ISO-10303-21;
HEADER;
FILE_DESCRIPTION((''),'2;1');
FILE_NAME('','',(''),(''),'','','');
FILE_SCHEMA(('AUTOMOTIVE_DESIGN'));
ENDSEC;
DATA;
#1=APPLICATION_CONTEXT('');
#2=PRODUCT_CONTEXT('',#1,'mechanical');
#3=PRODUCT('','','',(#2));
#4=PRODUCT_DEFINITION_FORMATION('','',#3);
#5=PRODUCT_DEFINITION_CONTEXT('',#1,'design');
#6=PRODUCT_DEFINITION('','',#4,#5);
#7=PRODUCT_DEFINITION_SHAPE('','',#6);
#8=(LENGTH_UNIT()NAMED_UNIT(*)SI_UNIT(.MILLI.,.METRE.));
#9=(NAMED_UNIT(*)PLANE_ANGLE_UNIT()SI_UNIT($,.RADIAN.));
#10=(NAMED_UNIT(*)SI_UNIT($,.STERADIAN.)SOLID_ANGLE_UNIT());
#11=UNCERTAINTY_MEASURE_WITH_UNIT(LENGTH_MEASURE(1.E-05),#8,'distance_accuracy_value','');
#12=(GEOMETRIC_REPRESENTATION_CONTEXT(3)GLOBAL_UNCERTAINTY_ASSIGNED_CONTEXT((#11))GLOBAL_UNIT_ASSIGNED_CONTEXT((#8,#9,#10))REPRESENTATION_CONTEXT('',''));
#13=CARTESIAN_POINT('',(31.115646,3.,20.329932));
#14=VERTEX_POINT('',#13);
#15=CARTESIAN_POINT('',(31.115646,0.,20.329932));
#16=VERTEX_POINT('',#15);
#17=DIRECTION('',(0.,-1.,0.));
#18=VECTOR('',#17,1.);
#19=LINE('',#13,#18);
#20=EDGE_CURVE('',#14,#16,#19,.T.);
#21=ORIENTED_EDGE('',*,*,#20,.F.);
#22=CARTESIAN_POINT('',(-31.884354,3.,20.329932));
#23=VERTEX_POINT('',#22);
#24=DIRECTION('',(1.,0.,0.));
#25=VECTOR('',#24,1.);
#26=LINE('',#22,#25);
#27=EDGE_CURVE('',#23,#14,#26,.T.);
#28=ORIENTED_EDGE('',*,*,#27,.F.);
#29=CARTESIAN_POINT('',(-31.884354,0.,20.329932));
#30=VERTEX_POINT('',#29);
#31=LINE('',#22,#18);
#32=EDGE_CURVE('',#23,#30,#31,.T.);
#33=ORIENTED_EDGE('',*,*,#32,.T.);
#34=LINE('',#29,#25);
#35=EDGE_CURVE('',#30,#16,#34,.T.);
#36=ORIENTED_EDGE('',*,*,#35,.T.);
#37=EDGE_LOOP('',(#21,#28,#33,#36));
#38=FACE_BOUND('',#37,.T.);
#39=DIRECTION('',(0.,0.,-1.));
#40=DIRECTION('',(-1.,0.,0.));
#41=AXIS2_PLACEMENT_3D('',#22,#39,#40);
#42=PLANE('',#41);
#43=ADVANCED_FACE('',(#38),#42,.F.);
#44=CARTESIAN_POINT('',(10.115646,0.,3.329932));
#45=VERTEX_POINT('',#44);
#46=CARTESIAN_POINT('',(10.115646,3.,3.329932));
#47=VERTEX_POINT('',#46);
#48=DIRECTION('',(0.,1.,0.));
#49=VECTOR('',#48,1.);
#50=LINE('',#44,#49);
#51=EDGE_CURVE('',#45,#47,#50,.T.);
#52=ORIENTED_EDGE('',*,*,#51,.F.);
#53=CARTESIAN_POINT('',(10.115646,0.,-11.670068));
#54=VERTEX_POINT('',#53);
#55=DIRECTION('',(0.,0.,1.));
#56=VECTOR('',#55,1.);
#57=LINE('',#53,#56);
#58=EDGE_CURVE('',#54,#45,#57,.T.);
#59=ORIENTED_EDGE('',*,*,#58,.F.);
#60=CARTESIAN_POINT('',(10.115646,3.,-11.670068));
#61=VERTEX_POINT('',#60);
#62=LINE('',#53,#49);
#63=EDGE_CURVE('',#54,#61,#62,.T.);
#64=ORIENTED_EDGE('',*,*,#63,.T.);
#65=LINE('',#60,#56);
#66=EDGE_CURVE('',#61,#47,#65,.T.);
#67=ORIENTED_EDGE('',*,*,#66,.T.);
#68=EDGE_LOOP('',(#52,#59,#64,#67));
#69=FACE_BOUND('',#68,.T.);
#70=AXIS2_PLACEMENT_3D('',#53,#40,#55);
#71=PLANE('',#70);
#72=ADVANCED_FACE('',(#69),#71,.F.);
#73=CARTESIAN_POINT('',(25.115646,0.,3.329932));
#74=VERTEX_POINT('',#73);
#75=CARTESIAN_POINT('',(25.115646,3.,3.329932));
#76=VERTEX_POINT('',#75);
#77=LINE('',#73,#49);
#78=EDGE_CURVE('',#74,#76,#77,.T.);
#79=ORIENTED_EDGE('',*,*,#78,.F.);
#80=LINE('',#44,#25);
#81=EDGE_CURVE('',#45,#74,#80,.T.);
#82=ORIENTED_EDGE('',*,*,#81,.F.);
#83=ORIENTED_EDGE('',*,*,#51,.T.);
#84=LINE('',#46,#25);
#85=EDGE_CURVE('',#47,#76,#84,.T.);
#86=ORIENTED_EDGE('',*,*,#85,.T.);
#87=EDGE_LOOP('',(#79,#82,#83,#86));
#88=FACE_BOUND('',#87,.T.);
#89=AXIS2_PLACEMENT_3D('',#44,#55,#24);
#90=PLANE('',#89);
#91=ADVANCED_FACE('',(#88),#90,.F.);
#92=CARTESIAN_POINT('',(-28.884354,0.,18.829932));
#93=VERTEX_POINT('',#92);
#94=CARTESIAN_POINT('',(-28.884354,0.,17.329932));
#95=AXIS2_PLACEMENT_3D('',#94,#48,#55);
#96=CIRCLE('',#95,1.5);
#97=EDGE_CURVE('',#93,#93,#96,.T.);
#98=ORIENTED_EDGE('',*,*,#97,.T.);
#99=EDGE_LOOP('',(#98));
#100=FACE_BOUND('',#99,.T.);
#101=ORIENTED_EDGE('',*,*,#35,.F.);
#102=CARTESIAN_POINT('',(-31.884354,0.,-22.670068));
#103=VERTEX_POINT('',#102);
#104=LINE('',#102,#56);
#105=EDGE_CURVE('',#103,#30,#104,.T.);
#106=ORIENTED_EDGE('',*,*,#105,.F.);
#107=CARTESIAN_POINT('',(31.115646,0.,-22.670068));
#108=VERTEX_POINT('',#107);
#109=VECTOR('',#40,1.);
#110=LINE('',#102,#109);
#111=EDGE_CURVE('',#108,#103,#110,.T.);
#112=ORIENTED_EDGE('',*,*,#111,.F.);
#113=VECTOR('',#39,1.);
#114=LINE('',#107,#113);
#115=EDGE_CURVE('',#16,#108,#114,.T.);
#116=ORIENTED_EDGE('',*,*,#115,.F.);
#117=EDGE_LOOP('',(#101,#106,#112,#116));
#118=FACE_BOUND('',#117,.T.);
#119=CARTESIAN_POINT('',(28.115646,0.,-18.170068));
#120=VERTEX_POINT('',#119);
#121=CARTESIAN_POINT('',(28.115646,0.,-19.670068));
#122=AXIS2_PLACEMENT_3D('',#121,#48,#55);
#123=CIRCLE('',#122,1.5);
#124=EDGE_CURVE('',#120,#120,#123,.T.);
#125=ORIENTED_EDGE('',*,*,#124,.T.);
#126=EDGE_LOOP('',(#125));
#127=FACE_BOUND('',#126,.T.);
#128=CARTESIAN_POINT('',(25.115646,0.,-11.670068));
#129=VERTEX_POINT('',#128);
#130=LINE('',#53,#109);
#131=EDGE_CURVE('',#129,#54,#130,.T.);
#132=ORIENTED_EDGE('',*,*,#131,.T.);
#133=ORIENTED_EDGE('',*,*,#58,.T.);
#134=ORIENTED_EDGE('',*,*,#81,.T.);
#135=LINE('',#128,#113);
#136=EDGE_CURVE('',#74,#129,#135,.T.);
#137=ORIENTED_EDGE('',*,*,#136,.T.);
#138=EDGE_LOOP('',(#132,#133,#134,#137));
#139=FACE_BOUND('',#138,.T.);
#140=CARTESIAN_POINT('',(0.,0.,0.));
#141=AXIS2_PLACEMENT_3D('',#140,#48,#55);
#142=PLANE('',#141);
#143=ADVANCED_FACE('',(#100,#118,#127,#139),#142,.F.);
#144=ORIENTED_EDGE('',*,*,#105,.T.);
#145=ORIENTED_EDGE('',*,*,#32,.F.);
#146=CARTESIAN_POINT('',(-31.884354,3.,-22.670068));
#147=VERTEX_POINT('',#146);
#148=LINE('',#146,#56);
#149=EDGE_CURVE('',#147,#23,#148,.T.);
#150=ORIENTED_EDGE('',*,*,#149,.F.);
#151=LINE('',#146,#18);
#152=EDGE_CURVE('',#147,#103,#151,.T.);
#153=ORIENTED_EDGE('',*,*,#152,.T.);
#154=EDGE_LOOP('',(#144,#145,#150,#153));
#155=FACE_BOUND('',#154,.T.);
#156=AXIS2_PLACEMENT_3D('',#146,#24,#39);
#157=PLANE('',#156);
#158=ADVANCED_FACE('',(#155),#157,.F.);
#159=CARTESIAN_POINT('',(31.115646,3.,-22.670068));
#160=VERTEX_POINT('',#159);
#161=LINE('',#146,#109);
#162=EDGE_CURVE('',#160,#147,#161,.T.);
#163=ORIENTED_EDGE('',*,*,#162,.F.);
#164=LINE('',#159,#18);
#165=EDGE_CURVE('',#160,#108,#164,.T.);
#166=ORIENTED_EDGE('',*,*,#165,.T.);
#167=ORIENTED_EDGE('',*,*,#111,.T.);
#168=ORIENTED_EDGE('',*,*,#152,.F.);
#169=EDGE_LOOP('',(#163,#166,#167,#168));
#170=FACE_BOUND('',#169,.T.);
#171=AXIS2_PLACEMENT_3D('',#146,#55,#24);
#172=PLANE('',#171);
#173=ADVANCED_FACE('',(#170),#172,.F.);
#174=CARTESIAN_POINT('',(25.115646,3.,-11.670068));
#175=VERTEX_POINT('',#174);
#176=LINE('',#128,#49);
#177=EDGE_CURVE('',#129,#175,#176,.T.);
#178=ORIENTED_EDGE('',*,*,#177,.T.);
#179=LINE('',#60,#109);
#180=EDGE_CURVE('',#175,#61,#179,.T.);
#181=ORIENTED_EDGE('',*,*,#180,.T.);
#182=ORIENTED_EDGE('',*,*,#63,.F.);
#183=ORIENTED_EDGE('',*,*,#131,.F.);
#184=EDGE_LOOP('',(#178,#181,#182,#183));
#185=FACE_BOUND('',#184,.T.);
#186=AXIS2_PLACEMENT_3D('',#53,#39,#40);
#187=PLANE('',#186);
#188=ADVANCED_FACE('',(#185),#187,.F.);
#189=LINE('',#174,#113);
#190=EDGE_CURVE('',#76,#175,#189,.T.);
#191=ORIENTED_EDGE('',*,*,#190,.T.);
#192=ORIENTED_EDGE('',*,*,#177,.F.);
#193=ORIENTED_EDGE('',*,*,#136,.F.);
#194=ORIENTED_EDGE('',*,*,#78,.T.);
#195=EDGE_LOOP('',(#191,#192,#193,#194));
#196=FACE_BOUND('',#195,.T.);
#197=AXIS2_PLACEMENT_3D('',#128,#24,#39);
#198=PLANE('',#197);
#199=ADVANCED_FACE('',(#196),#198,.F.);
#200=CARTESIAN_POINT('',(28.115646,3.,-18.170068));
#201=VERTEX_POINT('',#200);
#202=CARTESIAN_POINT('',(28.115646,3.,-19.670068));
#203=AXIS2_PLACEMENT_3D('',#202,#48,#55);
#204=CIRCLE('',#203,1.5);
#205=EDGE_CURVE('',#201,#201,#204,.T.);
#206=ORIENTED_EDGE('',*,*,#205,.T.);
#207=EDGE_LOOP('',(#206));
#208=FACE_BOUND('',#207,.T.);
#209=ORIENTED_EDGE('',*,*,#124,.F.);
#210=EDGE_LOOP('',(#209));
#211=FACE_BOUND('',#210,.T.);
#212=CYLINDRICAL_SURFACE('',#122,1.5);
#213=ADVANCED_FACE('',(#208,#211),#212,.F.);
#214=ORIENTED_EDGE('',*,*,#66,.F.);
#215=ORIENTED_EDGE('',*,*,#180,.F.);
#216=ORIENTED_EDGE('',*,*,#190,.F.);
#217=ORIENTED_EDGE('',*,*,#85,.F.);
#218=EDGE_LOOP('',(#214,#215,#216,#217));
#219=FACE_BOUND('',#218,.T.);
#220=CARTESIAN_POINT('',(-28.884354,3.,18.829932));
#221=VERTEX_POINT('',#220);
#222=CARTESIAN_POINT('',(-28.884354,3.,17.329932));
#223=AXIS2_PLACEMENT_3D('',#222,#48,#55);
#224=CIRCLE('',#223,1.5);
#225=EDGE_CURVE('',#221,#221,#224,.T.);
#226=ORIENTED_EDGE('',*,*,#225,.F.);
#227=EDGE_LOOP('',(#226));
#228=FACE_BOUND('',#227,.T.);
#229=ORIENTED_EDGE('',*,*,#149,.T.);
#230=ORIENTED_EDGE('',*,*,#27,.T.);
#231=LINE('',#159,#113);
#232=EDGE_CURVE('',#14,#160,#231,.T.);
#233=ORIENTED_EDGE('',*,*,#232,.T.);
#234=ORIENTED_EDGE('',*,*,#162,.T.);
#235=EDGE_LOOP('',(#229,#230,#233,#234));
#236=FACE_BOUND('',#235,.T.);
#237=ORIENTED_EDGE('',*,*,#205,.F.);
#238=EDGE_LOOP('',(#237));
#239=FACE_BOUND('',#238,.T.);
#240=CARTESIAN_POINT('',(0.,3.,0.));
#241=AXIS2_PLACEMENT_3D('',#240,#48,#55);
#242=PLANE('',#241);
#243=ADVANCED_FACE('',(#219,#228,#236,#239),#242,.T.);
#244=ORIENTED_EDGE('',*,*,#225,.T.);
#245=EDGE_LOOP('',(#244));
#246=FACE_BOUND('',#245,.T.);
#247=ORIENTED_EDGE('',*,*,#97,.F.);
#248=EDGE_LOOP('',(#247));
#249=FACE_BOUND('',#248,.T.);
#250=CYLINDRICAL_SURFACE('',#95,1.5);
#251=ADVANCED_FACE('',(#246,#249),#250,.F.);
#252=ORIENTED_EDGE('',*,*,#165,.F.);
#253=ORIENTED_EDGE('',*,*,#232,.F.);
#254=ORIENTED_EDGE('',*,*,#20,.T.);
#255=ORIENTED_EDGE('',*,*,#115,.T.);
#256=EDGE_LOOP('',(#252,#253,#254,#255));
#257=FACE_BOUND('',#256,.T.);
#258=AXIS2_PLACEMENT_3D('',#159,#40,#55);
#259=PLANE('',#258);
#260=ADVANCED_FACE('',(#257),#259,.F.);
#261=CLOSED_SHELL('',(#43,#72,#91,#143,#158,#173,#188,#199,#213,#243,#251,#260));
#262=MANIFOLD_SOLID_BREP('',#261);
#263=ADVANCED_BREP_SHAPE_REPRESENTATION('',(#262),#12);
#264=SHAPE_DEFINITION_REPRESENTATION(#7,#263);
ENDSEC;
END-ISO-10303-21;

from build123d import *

# Parameters (mm, degrees)
SKETCH2_W           = 63
SKETCH2_H           = 43
BOSS_EXTRUDE1_DEPTH = 3
SKETCH3_R           = 1.5
CUT_EXTRUDE1_DEPTH  = 3
SKETCH4_R           = 1.5
CUT_EXTRUDE2_DEPTH  = 3
SKETCH5_W           = 15
SKETCH5_H           = 15
CUT_EXTRUDE3_DEPTH  = 3


with BuildPart() as part:
    # Sketch2 → Boss-Extrude1 (new body)
    with BuildSketch(Plane(origin=(0, 0, 0), x_dir=(1, 0, 0), z_dir=(0, 1, 0))):
        with Locations((-0.384353741, 1.170068027)):
            Rectangle(SKETCH2_W, SKETCH2_H)
    extrude(amount=BOSS_EXTRUDE1_DEPTH)

    # Sketch3 → Cut-Extrude1 (cut)
    with BuildSketch(Plane(origin=(0, 3, 0), x_dir=(1, 0, 0), z_dir=(0, 1, 0))):
        with Locations((28.115646259, 19.670068027)):
            Circle(SKETCH3_R)
    extrude(amount=-CUT_EXTRUDE1_DEPTH, mode=Mode.SUBTRACT)

    # Sketch4 → Cut-Extrude2 (cut)
    with BuildSketch(Plane(origin=(0, 3, 0), x_dir=(1, 0, 0), z_dir=(0, 1, 0))):
        with Locations((-28.884353741, -17.329931973)):
            Circle(SKETCH4_R)
    extrude(amount=-CUT_EXTRUDE2_DEPTH, mode=Mode.SUBTRACT)

    # Sketch5 → Cut-Extrude3 (cut)
    with BuildSketch(Plane(origin=(0, 3, 0), x_dir=(1, 0, 0), z_dir=(0, 1, 0))):
        with Locations((17.615646259, 4.170068027)):
            Rectangle(SKETCH5_W, SKETCH5_H)
    extrude(amount=-CUT_EXTRUDE3_DEPTH, mode=Mode.SUBTRACT)


solid = part.part
